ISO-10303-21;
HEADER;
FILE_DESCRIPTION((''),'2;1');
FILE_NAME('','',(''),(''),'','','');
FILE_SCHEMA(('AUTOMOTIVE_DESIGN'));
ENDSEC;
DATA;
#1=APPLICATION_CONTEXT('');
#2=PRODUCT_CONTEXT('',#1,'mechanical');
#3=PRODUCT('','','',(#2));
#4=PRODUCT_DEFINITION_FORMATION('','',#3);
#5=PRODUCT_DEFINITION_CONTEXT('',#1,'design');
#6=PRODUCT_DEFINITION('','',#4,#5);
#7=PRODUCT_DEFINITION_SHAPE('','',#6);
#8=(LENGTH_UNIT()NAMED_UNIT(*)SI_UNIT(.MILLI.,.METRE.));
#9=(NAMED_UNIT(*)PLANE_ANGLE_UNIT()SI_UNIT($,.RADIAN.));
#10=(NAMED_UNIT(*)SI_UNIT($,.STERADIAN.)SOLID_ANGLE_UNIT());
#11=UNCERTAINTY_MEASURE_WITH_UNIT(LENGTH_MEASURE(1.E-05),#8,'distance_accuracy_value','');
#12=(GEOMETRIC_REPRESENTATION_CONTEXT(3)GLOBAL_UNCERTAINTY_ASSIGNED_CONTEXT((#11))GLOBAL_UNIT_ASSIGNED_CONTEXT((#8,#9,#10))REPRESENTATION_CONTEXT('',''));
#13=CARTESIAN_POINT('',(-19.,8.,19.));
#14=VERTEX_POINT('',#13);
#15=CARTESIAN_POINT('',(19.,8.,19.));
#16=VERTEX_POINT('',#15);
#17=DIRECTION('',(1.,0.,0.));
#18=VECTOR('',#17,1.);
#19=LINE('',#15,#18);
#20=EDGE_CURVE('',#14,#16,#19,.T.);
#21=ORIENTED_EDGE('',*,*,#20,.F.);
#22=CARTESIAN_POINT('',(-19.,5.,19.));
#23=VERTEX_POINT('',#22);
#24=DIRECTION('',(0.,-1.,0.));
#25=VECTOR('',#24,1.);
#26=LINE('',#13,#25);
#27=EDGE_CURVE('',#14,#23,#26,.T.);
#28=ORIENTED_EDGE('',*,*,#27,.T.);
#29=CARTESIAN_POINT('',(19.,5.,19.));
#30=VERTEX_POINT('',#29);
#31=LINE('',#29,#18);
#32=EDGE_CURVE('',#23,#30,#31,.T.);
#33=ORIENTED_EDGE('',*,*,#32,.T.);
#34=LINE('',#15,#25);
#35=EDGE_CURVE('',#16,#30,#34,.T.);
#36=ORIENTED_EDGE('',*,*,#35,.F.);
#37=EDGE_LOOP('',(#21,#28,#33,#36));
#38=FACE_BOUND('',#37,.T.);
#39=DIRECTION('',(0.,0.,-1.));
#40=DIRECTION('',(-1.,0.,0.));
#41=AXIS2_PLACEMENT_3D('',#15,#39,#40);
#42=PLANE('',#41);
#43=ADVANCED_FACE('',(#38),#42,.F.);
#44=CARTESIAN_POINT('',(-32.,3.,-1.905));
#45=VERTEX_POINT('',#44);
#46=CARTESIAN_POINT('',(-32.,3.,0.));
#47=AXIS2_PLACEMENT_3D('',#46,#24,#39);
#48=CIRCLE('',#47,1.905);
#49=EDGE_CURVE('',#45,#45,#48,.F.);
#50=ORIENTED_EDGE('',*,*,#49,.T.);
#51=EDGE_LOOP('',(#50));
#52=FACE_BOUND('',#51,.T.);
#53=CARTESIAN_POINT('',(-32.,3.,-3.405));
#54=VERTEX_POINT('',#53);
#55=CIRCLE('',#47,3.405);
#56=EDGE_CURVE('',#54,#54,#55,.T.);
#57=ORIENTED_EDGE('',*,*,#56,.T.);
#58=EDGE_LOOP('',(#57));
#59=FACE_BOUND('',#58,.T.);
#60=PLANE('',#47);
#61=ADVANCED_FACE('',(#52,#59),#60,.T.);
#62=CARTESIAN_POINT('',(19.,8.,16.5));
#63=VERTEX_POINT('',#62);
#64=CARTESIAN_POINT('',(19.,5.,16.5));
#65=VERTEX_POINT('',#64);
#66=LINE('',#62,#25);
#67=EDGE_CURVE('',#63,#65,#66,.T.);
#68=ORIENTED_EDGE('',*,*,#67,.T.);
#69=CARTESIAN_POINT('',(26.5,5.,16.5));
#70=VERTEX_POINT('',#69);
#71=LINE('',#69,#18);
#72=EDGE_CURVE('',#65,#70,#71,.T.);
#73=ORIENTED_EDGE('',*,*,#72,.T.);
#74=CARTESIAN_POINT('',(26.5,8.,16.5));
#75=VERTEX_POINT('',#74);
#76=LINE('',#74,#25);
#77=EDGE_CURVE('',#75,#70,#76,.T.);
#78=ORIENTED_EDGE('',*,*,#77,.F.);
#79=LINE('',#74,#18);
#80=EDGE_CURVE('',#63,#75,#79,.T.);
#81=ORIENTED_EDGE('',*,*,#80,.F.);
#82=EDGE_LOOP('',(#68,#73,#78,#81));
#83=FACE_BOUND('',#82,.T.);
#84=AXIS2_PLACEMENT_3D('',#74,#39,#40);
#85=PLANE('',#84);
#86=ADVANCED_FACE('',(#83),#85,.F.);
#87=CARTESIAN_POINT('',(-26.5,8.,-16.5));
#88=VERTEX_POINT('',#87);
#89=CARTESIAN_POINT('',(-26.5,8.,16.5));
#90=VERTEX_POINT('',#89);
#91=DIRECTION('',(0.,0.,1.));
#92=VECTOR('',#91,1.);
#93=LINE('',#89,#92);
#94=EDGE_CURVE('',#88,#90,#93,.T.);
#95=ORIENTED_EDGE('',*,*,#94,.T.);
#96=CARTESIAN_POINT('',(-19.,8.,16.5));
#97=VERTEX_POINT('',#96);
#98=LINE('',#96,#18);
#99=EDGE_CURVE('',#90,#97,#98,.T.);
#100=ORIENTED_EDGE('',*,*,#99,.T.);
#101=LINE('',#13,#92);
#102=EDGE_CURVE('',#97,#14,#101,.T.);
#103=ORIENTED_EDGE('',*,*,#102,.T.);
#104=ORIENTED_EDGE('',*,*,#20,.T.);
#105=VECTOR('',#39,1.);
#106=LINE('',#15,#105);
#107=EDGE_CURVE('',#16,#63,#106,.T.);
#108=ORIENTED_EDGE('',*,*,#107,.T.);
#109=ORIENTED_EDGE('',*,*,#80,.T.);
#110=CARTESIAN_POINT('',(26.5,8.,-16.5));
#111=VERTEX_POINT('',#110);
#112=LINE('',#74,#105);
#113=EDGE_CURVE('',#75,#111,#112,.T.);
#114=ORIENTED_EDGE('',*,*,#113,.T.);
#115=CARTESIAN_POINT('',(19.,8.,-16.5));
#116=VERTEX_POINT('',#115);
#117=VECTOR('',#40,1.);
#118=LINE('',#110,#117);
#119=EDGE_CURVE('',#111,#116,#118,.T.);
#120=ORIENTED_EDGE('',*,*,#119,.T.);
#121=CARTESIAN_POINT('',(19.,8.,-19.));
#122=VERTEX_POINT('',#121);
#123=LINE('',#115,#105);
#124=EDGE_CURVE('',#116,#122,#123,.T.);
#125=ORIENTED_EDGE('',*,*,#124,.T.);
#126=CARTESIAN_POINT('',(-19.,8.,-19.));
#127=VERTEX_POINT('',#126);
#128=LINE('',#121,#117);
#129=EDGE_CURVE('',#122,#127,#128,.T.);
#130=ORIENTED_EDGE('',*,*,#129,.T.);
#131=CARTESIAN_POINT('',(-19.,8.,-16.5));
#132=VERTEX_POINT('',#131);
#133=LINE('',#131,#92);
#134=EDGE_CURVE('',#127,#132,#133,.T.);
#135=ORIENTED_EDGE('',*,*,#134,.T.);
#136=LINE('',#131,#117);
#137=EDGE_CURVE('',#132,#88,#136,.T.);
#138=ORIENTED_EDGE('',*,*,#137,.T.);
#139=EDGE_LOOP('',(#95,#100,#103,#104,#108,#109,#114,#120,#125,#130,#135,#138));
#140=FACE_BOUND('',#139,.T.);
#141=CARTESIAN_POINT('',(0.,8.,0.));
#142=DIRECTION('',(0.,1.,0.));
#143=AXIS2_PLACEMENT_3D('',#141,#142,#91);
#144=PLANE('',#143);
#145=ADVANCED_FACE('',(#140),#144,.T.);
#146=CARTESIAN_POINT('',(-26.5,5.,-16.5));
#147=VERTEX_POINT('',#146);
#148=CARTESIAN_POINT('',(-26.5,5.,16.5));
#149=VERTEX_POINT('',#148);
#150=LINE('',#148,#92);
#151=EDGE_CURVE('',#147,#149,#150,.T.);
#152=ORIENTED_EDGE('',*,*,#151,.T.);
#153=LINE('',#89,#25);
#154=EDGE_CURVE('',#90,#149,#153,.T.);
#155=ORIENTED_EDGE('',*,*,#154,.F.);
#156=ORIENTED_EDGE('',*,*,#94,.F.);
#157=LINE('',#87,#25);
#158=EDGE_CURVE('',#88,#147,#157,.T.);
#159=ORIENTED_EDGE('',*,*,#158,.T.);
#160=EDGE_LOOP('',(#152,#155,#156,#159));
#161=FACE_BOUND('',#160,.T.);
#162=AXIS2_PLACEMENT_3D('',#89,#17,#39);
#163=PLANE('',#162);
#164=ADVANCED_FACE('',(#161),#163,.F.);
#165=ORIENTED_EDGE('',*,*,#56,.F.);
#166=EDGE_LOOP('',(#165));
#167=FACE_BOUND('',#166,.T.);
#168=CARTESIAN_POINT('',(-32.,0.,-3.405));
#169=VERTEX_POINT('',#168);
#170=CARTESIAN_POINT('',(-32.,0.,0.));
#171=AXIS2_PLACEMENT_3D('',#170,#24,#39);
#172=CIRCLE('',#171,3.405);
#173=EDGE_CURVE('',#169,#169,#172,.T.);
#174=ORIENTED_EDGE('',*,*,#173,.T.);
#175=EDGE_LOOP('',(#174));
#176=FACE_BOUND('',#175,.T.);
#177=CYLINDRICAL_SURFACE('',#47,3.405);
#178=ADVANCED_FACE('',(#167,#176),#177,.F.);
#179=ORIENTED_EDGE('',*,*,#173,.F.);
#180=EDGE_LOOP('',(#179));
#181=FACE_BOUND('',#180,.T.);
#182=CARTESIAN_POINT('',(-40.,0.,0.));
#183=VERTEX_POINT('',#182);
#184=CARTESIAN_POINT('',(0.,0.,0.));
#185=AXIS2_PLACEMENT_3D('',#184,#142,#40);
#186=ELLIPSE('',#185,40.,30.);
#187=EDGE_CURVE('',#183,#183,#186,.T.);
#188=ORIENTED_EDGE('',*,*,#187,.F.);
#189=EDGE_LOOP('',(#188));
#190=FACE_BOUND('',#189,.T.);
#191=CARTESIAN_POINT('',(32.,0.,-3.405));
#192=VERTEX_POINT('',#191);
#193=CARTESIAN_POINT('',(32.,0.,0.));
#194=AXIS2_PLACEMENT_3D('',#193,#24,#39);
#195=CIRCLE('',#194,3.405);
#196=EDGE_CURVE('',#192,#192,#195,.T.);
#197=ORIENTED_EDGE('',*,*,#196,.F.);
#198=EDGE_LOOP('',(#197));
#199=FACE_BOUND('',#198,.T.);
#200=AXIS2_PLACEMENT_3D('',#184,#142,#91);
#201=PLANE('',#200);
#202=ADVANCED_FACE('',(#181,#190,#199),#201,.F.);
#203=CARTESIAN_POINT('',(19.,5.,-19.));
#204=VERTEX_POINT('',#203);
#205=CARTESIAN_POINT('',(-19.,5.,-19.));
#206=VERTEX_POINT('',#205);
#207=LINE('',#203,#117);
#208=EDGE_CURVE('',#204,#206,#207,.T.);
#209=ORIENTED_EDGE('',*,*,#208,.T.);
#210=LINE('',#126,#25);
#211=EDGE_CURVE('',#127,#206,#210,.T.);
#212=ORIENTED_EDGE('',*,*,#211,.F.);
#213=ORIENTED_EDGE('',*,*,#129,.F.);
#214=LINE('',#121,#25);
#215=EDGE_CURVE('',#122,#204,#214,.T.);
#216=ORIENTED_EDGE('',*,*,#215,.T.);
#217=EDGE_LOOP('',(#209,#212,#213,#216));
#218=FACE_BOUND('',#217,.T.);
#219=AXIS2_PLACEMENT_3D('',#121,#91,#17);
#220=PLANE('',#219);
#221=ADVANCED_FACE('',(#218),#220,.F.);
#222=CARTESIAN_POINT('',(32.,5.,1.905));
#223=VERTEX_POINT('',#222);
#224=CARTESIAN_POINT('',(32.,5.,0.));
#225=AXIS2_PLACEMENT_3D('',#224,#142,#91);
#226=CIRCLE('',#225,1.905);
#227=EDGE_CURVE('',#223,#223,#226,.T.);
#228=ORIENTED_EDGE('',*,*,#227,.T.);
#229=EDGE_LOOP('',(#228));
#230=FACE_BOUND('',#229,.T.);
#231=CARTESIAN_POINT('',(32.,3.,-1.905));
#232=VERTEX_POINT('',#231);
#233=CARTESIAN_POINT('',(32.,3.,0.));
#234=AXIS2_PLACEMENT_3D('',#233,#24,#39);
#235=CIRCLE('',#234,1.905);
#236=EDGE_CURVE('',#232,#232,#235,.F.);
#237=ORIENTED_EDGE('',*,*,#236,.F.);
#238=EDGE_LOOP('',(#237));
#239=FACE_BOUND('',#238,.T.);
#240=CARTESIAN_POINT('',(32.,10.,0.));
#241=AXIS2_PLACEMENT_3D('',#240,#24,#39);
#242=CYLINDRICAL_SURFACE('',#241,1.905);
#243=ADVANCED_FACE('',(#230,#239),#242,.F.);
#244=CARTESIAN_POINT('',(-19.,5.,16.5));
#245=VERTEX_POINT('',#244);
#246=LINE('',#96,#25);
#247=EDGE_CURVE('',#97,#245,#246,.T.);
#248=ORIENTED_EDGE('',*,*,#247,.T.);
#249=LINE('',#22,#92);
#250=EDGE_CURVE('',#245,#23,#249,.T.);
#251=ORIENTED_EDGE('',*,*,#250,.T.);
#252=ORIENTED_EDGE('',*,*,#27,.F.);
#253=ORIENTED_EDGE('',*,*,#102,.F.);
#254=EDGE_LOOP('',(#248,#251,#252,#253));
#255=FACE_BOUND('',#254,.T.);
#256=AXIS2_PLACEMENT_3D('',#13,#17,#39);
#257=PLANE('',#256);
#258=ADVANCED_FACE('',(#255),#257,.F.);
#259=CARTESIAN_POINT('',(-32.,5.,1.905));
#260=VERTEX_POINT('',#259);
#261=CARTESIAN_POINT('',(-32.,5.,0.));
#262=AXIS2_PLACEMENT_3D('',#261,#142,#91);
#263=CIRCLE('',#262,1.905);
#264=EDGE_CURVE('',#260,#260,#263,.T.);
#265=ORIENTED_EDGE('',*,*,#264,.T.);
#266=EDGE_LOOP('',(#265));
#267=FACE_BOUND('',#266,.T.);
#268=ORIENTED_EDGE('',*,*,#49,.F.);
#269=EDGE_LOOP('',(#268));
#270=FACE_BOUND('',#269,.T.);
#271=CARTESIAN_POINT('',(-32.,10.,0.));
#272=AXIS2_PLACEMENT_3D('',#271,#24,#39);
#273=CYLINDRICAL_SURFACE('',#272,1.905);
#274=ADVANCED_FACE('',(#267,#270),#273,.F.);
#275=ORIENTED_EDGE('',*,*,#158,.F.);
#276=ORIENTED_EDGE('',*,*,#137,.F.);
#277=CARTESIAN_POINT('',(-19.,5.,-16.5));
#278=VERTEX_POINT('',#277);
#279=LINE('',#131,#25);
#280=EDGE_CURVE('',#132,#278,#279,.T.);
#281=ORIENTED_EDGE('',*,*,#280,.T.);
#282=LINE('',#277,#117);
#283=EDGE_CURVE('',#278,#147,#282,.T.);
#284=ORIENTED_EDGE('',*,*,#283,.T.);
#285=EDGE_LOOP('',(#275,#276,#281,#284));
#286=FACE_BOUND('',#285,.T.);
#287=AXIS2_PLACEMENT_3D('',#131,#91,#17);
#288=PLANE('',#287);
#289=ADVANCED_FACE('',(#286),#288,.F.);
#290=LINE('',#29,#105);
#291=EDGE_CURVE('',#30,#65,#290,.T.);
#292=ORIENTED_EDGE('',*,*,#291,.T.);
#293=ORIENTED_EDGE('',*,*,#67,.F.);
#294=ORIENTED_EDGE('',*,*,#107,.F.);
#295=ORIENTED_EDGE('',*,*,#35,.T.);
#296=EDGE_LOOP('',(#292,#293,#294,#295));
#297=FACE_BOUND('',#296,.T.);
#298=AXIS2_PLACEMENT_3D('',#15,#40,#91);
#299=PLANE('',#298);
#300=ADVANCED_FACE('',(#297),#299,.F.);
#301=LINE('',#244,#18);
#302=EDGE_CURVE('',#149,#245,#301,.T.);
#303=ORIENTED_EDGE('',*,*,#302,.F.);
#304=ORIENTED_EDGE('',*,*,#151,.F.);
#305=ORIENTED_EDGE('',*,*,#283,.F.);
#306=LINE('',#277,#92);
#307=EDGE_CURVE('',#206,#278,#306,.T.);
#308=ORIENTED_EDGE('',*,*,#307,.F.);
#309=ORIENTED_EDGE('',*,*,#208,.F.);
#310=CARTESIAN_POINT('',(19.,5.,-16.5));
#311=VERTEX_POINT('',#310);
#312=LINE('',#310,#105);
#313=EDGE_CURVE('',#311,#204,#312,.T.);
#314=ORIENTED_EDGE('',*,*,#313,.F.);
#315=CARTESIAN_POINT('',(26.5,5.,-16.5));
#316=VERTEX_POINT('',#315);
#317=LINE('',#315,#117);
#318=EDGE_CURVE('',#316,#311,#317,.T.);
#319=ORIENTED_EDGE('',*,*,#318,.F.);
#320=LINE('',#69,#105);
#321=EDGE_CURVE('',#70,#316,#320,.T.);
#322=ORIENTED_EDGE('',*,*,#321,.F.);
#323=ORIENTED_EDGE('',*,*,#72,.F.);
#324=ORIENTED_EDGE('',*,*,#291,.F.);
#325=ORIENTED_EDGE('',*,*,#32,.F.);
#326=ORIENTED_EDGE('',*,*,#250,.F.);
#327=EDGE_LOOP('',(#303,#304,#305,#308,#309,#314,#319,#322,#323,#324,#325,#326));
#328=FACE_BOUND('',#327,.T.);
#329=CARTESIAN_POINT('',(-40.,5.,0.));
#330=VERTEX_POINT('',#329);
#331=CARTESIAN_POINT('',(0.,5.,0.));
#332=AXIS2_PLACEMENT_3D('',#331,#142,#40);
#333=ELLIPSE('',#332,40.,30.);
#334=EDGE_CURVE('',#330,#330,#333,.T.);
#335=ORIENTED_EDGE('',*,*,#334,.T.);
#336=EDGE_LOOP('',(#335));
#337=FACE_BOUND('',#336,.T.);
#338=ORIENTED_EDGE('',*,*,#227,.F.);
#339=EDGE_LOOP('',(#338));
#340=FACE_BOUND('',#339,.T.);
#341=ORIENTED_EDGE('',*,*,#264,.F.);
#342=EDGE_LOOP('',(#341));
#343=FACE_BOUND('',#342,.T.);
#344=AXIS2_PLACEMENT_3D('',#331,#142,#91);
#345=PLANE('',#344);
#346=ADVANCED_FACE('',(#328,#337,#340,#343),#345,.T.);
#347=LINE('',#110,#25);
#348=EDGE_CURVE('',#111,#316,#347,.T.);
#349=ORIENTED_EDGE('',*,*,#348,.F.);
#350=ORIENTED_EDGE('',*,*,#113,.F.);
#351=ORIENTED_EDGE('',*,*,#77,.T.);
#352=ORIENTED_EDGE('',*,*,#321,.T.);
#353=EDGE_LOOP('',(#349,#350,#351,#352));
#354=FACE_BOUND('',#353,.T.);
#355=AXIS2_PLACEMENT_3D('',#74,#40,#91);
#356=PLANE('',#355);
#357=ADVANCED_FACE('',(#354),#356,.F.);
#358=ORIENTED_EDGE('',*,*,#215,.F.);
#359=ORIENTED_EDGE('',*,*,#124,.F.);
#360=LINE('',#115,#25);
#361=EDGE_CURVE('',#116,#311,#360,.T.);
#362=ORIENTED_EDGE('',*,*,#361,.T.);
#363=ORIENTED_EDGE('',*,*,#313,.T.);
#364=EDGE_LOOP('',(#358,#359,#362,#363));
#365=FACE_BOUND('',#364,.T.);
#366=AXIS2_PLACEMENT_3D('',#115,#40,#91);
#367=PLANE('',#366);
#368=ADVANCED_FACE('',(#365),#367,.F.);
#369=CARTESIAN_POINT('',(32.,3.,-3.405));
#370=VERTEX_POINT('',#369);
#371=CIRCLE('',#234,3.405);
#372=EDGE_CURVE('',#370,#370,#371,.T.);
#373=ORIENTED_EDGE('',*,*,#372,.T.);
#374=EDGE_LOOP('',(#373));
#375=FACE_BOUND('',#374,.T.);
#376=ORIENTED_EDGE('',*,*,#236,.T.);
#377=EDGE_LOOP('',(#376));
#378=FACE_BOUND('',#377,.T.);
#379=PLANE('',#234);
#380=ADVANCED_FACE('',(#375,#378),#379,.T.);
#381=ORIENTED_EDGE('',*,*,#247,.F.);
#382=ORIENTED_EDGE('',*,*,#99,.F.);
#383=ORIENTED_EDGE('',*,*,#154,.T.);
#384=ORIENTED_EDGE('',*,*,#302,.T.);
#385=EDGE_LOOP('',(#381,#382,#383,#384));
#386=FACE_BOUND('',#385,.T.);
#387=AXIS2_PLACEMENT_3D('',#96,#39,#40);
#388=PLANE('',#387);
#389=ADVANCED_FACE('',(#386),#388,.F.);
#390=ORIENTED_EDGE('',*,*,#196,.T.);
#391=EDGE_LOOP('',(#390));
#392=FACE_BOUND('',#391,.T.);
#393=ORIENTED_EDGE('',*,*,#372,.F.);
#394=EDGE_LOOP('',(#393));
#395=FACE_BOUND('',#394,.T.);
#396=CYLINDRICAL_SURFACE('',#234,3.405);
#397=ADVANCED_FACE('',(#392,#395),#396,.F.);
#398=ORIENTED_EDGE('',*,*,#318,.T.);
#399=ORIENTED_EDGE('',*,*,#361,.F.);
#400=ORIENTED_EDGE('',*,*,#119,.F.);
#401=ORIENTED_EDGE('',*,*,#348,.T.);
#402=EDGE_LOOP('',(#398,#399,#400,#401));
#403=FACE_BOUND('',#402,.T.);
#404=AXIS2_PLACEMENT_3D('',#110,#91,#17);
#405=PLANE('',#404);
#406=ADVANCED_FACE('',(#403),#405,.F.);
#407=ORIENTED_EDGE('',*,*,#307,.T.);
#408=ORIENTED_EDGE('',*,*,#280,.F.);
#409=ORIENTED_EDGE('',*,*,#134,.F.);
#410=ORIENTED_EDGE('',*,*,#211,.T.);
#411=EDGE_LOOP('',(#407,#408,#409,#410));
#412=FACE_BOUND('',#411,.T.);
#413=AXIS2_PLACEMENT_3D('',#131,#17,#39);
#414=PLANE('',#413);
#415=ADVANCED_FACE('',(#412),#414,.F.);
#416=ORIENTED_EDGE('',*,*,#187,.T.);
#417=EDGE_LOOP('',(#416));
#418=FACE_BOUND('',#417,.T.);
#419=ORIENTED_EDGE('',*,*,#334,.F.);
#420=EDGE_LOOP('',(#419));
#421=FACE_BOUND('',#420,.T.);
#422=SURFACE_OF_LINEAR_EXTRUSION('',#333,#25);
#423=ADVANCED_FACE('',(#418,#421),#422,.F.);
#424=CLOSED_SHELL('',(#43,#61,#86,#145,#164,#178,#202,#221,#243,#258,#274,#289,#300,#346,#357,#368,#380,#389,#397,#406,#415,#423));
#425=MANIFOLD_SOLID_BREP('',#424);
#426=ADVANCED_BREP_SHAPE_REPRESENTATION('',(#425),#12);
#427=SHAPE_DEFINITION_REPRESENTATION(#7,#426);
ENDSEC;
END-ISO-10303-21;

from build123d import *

# Parameters (mm, degrees)
SKETCH1_RX          = 40
SKETCH1_RY          = 30
BOSS_EXTRUDE1_DEPTH = 5
BOSS_EXTRUDE2_DEPTH = 3
SKETCH3_R           = 1.905
CUT_EXTRUDE1_DEPTH  = 10
SKETCH4_R           = 3.405
CUT_EXTRUDE2_DEPTH  = 3


with BuildPart() as part:
    # Sketch1 → Boss-Extrude1 (new body)
    with BuildSketch(Plane(origin=(0, 0, 0), x_dir=(1, 0, 0), z_dir=(0, 1, 0))):
        with Locations(Location((0, 0), (0, 0, 180))):
            Ellipse(SKETCH1_RX, SKETCH1_RY)
    extrude(amount=BOSS_EXTRUDE1_DEPTH)

    # Sketch2 → Boss-Extrude2 (add)
    with BuildSketch(Plane(origin=(0, 5, 0), x_dir=(1, 0, 0), z_dir=(0, 1, 0))):
        Polygon((-19, 16.5), (-26.5, 16.5), (-26.5, -16.5), (-19, -16.5), (-19, -19), (19, -19), (19, -16.5), (26.5, -16.5), (26.5, 16.5), (19, 16.5), (19, 19), (-19, 19), align=None)
    extrude(amount=BOSS_EXTRUDE2_DEPTH)

    # Sketch3 → Cut-Extrude1 (cut)
    with BuildSketch(Plane.XZ):
        with Locations((32, 0)):
            Circle(SKETCH3_R)
        with Locations((-32, 0)):
            Circle(SKETCH3_R)
    extrude(amount=-CUT_EXTRUDE1_DEPTH, mode=Mode.SUBTRACT)

    # Sketch4 → Cut-Extrude2 (cut)
    with BuildSketch(Plane.XZ):
        with Locations((-32, 0)):
            Circle(SKETCH4_R)
        with Locations((32, 0)):
            Circle(SKETCH4_R)
    extrude(amount=-CUT_EXTRUDE2_DEPTH, mode=Mode.SUBTRACT)


solid = part.part
